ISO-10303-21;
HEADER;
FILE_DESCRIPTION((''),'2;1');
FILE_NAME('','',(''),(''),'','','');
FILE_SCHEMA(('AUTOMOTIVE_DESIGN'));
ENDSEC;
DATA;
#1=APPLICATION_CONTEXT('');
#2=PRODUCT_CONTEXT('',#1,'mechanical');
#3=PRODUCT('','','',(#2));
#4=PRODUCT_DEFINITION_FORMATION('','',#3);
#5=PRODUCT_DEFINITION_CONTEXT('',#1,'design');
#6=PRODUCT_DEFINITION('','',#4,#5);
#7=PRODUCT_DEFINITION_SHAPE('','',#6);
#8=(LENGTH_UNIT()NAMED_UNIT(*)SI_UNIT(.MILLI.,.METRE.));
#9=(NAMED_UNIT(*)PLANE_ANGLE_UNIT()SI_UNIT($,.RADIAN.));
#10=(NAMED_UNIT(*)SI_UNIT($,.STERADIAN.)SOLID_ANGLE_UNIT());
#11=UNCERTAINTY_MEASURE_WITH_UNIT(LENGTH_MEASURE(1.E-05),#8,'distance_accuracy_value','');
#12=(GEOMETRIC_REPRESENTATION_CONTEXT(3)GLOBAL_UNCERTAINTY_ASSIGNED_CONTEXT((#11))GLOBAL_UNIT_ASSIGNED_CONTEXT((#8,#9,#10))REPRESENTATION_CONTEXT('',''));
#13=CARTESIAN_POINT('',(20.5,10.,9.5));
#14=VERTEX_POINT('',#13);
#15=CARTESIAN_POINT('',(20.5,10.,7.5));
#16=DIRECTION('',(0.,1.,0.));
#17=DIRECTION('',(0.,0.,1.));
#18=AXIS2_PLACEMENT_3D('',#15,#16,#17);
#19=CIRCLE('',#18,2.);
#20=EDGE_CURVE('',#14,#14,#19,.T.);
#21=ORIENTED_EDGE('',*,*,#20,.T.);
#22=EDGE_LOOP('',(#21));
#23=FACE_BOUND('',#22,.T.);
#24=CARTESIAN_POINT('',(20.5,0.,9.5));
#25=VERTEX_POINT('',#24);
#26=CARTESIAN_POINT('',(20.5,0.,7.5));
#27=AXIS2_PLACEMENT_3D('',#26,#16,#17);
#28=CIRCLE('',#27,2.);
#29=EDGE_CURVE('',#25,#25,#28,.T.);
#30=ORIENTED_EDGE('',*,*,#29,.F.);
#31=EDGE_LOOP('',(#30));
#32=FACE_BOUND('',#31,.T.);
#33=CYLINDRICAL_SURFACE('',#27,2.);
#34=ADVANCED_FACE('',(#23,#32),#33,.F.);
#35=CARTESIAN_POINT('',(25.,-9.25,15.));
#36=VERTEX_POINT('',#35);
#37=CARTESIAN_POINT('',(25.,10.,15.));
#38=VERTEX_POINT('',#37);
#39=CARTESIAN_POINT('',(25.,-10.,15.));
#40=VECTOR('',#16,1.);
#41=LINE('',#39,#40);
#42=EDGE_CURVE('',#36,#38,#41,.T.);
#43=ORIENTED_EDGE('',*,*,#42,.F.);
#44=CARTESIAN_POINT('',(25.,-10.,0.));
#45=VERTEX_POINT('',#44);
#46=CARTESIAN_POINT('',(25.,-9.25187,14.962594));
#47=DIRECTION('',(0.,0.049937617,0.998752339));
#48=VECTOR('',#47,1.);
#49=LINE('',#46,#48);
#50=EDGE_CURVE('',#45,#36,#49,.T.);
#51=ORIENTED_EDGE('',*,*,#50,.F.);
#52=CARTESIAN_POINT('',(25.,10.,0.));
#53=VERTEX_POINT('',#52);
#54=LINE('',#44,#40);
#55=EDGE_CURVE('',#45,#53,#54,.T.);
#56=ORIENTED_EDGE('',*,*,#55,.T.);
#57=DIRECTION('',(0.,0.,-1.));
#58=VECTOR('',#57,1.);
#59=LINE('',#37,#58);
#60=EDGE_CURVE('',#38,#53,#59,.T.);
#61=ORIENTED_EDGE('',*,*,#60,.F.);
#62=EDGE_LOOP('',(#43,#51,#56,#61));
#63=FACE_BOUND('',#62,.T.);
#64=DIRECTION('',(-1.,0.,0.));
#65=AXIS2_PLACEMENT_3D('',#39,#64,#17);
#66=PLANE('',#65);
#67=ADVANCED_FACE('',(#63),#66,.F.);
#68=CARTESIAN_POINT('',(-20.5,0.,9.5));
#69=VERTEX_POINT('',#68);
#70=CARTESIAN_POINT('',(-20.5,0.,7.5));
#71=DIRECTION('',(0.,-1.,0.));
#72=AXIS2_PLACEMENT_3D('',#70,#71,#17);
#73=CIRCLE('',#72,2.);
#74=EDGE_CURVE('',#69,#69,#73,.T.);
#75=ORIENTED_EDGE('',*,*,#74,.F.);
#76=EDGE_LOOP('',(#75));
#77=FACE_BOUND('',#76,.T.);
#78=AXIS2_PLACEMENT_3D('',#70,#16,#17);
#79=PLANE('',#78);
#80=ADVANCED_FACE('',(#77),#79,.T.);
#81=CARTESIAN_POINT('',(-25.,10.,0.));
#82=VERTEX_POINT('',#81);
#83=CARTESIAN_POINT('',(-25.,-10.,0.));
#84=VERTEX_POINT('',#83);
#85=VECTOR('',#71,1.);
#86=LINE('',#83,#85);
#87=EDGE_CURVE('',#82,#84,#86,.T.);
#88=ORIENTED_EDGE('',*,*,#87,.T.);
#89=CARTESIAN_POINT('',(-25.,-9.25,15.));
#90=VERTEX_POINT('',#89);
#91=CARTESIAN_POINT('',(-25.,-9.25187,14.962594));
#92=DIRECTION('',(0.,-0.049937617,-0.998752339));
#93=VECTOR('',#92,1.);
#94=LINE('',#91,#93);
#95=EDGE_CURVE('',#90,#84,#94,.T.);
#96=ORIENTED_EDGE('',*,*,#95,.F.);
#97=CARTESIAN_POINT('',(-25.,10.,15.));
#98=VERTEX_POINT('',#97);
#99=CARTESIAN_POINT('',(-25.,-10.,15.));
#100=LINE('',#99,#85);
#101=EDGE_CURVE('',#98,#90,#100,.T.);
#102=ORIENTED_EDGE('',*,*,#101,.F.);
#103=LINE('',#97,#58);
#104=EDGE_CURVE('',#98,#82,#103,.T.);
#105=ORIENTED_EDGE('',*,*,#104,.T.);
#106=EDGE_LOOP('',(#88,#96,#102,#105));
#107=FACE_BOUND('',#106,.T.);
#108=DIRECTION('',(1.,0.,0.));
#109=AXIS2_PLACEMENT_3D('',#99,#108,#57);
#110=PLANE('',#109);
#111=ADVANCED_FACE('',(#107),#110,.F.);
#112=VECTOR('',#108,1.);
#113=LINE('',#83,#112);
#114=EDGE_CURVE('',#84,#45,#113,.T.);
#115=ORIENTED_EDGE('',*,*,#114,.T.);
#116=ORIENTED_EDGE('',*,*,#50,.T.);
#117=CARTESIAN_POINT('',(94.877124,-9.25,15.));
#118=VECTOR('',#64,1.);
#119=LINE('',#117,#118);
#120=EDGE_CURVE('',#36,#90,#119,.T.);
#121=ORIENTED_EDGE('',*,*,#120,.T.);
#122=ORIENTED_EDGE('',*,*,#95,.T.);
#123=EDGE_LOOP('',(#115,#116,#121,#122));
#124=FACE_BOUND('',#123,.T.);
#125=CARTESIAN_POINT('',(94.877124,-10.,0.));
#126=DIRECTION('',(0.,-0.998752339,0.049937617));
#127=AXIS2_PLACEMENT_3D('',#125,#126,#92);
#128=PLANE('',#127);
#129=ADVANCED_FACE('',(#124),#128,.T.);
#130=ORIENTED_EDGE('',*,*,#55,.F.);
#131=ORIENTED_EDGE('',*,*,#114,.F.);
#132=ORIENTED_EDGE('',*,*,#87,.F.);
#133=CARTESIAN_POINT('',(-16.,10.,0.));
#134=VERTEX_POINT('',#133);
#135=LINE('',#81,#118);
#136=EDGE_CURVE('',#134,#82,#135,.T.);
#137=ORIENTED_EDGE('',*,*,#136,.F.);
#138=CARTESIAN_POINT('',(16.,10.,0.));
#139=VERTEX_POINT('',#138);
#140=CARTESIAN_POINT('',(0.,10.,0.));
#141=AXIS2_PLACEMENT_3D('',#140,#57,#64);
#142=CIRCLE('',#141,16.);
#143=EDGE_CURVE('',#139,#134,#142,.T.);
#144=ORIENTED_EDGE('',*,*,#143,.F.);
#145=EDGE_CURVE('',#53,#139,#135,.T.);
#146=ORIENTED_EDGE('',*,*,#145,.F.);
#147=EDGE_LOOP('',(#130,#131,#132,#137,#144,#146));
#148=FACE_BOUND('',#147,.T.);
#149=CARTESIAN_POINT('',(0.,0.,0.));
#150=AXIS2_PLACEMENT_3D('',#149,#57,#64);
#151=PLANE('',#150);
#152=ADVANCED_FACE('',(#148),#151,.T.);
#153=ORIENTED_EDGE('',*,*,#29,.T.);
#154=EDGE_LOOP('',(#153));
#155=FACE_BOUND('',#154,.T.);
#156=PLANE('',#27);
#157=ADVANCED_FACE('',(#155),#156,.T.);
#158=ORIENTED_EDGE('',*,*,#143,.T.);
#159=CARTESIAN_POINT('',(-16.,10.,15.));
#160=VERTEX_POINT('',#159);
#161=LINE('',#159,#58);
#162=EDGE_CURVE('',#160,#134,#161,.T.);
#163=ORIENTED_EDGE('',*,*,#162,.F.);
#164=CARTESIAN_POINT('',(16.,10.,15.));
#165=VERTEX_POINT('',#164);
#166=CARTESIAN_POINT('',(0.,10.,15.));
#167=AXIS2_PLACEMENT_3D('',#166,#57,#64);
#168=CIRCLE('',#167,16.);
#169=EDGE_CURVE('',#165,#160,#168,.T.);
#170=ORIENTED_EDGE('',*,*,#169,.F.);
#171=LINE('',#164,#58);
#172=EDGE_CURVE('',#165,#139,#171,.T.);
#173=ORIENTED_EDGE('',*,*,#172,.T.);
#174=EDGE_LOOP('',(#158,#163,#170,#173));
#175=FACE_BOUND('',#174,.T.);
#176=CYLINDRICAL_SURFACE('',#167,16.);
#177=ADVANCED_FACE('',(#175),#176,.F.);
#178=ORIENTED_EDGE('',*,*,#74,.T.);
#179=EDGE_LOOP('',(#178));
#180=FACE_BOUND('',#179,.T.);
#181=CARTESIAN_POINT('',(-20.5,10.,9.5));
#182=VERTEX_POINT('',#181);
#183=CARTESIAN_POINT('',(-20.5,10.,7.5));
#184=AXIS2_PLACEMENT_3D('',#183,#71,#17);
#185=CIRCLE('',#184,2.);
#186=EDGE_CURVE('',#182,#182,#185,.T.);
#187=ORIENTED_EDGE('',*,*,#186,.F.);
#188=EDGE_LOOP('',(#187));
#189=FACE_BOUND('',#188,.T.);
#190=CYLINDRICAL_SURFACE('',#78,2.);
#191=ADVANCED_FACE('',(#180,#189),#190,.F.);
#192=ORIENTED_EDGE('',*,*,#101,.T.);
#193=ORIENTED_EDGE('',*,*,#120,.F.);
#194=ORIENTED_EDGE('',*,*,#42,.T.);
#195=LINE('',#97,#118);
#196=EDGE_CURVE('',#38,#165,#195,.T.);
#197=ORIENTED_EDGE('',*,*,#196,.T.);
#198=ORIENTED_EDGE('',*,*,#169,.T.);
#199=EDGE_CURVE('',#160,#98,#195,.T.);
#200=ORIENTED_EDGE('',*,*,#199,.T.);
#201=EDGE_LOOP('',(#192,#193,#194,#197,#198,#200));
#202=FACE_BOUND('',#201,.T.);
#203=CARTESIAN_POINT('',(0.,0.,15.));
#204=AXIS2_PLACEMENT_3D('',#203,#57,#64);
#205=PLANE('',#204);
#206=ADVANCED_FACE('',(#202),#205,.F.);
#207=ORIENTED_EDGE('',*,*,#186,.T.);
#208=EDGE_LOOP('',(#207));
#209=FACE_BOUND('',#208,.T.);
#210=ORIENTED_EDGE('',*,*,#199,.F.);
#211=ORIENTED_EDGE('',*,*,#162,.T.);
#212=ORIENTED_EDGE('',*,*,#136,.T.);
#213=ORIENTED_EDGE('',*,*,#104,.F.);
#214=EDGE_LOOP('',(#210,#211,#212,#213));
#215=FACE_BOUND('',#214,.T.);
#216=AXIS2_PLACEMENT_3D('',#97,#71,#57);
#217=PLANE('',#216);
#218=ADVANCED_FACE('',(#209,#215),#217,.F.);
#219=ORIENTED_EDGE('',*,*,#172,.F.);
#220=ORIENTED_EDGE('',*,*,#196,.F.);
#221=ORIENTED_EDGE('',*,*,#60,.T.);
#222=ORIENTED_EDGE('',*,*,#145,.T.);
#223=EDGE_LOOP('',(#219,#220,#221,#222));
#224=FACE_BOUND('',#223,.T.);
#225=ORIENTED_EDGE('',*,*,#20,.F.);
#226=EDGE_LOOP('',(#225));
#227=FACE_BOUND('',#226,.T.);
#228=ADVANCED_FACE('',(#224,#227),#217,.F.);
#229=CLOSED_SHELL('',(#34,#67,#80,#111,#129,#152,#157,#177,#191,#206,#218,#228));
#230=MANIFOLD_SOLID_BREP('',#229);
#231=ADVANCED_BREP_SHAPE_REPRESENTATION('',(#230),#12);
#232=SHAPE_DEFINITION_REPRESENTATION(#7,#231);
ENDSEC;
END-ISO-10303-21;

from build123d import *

# Parameters (mm, degrees)
SKETCH1_W               = 50
SKETCH1_H               = 20
BOSS_EXTRUDE1_DEPTH     = 15
CUT_EXTRUDE1_DEPTH      = 54.150729064
CUT_EXTRUDE1_DEPTH_BACK = 54.150729064
CUT_EXTRUDE2_DEPTH      = 15
SKETCH4_R               = 2
CUT_EXTRUDE3_DEPTH      = 10


with BuildPart() as part:
    # Sketch1 → Boss-Extrude1 (new body)
    with BuildSketch(Plane.XY):
        Rectangle(SKETCH1_W, SKETCH1_H)
    extrude(amount=BOSS_EXTRUDE1_DEPTH)

    # Sketch2 → Cut-Extrude1 (cut, two sides: drawn at the far end of the back side and taken through both)
    with BuildSketch(Plane(origin=(25, 0, 0), x_dir=(0, 0, -1), z_dir=(1, 0, 0)).offset(-CUT_EXTRUDE1_DEPTH_BACK)):
        Polygon((59.925140333, -12.996257017), (0, -10), (-15, -9.25), (-74.925140333, -6.253742983), (-80.917654366, -126.104023649), (53.932626299, -132.846537682), align=None)
    extrude(amount=CUT_EXTRUDE1_DEPTH + CUT_EXTRUDE1_DEPTH_BACK, mode=Mode.SUBTRACT)

    # Sketch3 → Cut-Extrude2 (cut)
    with BuildSketch(Plane(origin=(0, 0, 0), x_dir=(-1, 0, 0), z_dir=(0, 0, -1))):
        with BuildLine():
            Line((-16, 10), (16, 10))
            ThreePointArc((16, 10), (0, -6), (-16, 10))
        make_face()
    extrude(amount=-CUT_EXTRUDE2_DEPTH, mode=Mode.SUBTRACT)

    # Sketch4 → Cut-Extrude3 (cut)
    with BuildSketch(Plane(origin=(0, 10, 0), x_dir=(1, 0, 0), z_dir=(0, 1, 0))):
        with Locations(Location((20.5, -7.5, 0), (0, 0, 270))):
            Circle(SKETCH4_R)
    cut_extrude3 = extrude(amount=-CUT_EXTRUDE3_DEPTH, mode=Mode.SUBTRACT)

    # Mirror1: Cut-Extrude3 across plane
    add(cut_extrude3.mirror(Plane(origin=(0, 0, 0), x_dir=(0, 0, 1), z_dir=(1, 0, 0))), mode=Mode.SUBTRACT)


solid = part.part
